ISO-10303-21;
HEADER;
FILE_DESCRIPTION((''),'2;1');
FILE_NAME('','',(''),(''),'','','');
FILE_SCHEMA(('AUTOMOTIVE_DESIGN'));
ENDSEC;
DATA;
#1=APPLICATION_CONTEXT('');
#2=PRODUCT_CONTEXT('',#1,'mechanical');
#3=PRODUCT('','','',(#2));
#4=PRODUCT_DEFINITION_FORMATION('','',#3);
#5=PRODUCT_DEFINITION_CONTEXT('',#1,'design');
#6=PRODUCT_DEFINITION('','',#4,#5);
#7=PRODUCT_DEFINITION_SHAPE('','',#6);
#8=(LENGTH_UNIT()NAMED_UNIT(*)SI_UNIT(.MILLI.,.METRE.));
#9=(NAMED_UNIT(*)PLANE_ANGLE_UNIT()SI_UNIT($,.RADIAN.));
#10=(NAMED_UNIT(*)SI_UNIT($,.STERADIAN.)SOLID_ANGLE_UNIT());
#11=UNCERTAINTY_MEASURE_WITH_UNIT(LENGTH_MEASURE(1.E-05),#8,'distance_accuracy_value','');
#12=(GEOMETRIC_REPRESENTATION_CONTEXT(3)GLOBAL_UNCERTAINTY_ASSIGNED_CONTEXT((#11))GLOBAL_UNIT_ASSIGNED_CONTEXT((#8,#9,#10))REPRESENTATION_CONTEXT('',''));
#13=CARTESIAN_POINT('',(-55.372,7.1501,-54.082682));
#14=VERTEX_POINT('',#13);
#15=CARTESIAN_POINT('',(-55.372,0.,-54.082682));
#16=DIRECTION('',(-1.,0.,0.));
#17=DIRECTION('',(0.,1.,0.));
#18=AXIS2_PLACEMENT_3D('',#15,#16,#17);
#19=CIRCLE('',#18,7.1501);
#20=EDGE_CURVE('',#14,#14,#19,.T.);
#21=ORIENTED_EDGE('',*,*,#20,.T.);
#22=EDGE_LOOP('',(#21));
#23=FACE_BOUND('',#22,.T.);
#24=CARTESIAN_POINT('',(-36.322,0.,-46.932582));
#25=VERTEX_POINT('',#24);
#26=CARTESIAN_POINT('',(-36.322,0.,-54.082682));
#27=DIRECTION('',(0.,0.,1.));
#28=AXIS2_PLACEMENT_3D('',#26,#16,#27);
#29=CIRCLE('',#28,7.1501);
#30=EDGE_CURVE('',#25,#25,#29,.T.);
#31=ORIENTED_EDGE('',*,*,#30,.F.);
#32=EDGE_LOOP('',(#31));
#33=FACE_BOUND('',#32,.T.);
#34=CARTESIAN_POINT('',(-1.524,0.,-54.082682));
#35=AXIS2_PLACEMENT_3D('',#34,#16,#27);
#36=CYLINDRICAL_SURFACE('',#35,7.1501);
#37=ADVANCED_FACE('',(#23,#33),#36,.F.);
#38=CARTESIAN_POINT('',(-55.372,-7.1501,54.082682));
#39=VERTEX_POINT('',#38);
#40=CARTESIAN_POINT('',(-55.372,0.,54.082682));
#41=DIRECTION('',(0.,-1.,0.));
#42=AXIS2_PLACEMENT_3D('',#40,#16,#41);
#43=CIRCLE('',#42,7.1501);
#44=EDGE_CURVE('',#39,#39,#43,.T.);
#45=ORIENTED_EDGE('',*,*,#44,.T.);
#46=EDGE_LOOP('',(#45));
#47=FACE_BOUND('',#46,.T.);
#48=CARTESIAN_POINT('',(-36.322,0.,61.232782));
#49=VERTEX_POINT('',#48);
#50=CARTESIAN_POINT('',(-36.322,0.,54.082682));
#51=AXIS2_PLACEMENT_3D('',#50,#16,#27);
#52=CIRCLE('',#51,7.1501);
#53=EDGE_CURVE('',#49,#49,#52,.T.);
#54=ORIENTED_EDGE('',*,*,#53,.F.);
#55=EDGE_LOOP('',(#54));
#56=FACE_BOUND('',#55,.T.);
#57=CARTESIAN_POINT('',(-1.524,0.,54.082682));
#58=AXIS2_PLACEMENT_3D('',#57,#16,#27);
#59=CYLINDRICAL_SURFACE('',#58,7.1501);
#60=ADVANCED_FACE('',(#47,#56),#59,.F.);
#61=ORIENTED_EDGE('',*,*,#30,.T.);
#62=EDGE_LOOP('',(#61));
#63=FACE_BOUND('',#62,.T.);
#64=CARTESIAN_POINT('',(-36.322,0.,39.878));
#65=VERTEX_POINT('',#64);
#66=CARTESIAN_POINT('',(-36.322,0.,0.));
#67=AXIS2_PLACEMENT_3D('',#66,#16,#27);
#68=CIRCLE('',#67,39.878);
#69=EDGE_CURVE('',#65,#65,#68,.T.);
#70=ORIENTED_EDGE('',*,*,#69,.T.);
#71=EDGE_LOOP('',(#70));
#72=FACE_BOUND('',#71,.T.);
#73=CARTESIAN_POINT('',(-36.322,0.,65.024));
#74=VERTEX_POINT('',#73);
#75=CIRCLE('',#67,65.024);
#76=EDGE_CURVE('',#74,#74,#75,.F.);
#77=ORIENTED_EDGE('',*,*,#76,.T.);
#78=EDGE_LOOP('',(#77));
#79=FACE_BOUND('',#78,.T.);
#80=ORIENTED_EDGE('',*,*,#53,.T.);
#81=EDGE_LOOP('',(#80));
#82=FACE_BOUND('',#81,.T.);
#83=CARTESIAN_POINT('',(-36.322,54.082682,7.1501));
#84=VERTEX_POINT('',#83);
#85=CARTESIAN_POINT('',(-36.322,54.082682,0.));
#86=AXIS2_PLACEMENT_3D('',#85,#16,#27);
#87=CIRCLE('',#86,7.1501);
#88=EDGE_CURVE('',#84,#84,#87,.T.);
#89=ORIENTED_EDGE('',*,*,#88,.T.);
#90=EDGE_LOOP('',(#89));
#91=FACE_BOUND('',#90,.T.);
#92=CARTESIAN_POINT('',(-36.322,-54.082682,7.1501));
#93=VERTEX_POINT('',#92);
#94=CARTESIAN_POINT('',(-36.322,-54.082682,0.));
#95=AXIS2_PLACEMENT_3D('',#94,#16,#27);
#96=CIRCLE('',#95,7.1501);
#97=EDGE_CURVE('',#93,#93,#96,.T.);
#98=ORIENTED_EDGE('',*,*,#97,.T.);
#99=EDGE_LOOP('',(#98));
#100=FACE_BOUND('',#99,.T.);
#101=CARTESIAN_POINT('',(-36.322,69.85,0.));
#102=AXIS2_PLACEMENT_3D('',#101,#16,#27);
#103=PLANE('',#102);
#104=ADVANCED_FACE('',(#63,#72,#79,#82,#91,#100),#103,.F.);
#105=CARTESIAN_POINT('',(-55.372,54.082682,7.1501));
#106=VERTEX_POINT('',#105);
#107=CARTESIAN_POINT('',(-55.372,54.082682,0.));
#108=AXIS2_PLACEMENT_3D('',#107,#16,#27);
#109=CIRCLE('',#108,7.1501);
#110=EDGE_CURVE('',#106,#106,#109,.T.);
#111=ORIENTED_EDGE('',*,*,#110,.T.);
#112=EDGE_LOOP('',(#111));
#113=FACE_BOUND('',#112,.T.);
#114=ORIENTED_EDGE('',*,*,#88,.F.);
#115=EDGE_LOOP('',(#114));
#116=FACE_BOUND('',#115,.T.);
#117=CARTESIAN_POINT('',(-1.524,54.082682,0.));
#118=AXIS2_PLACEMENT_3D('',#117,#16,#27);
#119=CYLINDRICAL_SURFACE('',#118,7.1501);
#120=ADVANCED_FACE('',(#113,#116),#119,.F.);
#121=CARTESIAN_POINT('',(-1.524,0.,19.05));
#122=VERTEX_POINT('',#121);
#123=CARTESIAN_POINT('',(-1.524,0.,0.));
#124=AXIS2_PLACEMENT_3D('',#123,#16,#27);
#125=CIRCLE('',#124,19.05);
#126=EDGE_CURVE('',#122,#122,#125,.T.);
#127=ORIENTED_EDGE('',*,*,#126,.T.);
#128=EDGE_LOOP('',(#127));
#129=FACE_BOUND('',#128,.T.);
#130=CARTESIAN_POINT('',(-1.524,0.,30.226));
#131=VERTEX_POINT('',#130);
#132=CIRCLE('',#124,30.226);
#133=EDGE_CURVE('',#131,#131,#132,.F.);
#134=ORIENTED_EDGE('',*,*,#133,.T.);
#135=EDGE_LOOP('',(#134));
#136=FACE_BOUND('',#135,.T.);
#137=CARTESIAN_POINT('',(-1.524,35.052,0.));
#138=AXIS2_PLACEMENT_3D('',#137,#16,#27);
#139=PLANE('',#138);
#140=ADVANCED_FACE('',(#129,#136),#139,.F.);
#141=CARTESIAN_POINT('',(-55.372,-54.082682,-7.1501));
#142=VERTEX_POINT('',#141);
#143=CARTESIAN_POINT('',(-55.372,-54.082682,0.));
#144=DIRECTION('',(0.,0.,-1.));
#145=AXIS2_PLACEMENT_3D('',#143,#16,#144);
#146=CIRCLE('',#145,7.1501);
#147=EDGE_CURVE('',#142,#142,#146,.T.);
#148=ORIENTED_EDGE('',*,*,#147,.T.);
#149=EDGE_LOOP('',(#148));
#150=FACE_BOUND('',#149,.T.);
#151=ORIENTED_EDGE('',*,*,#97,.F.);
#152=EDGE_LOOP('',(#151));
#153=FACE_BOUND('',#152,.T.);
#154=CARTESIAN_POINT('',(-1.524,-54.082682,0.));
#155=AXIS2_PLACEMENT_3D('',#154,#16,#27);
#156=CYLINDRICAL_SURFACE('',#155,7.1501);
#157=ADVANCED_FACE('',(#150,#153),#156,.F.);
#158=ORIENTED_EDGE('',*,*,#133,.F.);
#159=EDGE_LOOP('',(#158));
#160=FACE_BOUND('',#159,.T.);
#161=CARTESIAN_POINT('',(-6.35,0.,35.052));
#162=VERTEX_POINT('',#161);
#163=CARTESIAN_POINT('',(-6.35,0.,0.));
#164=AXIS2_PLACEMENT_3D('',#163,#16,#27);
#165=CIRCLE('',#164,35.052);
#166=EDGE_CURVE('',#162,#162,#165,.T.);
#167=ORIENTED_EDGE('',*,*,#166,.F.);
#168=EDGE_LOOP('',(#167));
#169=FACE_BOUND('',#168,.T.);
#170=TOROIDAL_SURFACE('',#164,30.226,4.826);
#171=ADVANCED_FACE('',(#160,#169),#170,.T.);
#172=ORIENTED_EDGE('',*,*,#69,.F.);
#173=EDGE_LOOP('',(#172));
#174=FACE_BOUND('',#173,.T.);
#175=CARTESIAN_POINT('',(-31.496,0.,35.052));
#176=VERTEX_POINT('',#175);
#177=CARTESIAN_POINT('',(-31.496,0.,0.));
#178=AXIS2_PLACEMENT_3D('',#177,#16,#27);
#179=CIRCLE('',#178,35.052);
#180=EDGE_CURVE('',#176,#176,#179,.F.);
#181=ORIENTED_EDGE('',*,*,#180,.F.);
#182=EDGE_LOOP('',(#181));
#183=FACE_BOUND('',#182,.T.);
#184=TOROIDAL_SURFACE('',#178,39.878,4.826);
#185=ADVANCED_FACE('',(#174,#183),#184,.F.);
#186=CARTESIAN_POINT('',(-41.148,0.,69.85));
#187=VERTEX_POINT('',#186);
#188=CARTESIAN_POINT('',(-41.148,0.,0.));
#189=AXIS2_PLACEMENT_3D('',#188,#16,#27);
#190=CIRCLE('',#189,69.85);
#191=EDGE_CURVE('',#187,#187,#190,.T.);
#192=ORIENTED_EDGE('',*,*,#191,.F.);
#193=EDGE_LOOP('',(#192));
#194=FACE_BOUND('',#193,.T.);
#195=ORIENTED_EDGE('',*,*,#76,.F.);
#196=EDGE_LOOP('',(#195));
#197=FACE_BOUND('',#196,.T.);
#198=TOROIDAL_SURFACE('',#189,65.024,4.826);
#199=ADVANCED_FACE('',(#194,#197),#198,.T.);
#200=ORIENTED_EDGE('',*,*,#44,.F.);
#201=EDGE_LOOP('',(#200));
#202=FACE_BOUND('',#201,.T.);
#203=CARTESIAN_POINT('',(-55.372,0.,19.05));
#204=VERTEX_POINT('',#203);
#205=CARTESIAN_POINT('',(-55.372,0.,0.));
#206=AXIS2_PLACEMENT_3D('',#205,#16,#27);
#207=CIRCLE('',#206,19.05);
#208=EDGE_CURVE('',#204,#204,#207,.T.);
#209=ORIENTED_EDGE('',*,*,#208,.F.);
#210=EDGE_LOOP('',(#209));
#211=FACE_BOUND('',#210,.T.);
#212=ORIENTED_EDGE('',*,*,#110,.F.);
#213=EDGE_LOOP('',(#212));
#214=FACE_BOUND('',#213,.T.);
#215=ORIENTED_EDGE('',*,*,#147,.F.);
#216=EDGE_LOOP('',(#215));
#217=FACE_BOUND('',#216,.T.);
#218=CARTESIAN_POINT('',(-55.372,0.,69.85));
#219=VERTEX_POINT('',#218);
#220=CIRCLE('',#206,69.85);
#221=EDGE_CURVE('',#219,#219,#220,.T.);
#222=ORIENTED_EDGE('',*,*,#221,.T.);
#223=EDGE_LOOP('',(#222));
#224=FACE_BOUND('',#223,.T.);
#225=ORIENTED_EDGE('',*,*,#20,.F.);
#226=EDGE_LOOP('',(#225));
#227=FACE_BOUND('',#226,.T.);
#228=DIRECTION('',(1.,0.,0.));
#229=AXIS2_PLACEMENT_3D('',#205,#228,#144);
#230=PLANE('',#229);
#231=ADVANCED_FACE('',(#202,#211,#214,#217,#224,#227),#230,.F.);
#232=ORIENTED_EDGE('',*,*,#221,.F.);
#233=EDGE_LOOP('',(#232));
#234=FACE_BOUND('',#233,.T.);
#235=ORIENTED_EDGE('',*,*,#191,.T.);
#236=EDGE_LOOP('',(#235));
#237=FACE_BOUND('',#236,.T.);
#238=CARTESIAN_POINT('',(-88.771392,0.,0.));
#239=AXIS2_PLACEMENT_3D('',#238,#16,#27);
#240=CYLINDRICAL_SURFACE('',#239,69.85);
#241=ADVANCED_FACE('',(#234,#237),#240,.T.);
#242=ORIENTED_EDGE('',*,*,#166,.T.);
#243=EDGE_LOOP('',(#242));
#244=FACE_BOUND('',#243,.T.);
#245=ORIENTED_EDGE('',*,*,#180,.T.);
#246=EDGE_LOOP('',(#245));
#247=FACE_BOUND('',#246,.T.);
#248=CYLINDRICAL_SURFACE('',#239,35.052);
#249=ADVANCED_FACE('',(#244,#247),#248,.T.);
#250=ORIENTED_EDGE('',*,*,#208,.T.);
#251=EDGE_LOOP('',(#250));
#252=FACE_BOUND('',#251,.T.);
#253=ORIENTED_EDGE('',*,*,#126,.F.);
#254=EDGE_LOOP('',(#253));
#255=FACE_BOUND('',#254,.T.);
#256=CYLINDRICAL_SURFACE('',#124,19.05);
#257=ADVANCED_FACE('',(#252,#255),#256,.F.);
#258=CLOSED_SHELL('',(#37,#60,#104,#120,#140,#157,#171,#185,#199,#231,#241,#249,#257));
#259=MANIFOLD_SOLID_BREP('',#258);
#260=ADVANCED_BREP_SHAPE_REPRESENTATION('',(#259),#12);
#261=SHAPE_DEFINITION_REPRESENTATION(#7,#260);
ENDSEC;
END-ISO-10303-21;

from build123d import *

# Parameters (mm, degrees)
SKETCH4_R          = 19.05
CUT_EXTRUDE3_DEPTH = 113.506231401
SKETCH6_R          = 7.1501
CUT_EXTRUDE5_DEPTH = 113.506231401
CIRPATTERN2_COUNT  = 4
FILLET1_R          = 4.826


with BuildPart() as part:
    # Sketch1 → Revolve1 (revolve)
    with BuildSketch(Plane.XY, mode=Mode.PRIVATE) as revolve1_sk:
        Polygon((-36.322, 35.052), (-1.524, 35.052), (-1.524, 0), (-55.372, 0), (-55.372, 69.85), (-36.322, 69.85), align=None)
    revolve(revolve1_sk.sketch.rotate(Axis((-88.771392405, 0, 0), (1, 0, 0)), 90), axis=Axis((-88.771392405, 0, 0), (1, 0, 0)))

    # Sketch4 → Cut-Extrude3 (cut, through all)
    with BuildSketch(Plane.ZY.offset(55.372)):
        Circle(SKETCH4_R)
    extrude(amount=-CUT_EXTRUDE3_DEPTH, mode=Mode.SUBTRACT)

    # Sketch6 → Cut-Extrude5 (cut, through all)
    with BuildSketch(Plane.ZY.offset(55.372)):
        with Locations((0, 54.082681536)):
            Circle(SKETCH6_R)
    cut_extrude5 = extrude(amount=-CUT_EXTRUDE5_DEPTH, mode=Mode.SUBTRACT)

    # CirPattern2: Cut-Extrude5 ×4 about axis
    cirpattern2_axis = Axis((0, 0, 0), (1, 0, 0))
    for i in range(1, CIRPATTERN2_COUNT):
        add(cut_extrude5.rotate(cirpattern2_axis, i * 360 / CIRPATTERN2_COUNT), mode=Mode.SUBTRACT)

    # Fillet1
    fillet1_edges = [part.edges().sort_by_distance(p)[0] for p in [
        (-36.322, 0, -35.052),
        (-1.524, 0, -35.052),
        (-36.322, 0, -69.85),
    ]]
    fillet(fillet1_edges, radius=FILLET1_R)


solid = part.part
